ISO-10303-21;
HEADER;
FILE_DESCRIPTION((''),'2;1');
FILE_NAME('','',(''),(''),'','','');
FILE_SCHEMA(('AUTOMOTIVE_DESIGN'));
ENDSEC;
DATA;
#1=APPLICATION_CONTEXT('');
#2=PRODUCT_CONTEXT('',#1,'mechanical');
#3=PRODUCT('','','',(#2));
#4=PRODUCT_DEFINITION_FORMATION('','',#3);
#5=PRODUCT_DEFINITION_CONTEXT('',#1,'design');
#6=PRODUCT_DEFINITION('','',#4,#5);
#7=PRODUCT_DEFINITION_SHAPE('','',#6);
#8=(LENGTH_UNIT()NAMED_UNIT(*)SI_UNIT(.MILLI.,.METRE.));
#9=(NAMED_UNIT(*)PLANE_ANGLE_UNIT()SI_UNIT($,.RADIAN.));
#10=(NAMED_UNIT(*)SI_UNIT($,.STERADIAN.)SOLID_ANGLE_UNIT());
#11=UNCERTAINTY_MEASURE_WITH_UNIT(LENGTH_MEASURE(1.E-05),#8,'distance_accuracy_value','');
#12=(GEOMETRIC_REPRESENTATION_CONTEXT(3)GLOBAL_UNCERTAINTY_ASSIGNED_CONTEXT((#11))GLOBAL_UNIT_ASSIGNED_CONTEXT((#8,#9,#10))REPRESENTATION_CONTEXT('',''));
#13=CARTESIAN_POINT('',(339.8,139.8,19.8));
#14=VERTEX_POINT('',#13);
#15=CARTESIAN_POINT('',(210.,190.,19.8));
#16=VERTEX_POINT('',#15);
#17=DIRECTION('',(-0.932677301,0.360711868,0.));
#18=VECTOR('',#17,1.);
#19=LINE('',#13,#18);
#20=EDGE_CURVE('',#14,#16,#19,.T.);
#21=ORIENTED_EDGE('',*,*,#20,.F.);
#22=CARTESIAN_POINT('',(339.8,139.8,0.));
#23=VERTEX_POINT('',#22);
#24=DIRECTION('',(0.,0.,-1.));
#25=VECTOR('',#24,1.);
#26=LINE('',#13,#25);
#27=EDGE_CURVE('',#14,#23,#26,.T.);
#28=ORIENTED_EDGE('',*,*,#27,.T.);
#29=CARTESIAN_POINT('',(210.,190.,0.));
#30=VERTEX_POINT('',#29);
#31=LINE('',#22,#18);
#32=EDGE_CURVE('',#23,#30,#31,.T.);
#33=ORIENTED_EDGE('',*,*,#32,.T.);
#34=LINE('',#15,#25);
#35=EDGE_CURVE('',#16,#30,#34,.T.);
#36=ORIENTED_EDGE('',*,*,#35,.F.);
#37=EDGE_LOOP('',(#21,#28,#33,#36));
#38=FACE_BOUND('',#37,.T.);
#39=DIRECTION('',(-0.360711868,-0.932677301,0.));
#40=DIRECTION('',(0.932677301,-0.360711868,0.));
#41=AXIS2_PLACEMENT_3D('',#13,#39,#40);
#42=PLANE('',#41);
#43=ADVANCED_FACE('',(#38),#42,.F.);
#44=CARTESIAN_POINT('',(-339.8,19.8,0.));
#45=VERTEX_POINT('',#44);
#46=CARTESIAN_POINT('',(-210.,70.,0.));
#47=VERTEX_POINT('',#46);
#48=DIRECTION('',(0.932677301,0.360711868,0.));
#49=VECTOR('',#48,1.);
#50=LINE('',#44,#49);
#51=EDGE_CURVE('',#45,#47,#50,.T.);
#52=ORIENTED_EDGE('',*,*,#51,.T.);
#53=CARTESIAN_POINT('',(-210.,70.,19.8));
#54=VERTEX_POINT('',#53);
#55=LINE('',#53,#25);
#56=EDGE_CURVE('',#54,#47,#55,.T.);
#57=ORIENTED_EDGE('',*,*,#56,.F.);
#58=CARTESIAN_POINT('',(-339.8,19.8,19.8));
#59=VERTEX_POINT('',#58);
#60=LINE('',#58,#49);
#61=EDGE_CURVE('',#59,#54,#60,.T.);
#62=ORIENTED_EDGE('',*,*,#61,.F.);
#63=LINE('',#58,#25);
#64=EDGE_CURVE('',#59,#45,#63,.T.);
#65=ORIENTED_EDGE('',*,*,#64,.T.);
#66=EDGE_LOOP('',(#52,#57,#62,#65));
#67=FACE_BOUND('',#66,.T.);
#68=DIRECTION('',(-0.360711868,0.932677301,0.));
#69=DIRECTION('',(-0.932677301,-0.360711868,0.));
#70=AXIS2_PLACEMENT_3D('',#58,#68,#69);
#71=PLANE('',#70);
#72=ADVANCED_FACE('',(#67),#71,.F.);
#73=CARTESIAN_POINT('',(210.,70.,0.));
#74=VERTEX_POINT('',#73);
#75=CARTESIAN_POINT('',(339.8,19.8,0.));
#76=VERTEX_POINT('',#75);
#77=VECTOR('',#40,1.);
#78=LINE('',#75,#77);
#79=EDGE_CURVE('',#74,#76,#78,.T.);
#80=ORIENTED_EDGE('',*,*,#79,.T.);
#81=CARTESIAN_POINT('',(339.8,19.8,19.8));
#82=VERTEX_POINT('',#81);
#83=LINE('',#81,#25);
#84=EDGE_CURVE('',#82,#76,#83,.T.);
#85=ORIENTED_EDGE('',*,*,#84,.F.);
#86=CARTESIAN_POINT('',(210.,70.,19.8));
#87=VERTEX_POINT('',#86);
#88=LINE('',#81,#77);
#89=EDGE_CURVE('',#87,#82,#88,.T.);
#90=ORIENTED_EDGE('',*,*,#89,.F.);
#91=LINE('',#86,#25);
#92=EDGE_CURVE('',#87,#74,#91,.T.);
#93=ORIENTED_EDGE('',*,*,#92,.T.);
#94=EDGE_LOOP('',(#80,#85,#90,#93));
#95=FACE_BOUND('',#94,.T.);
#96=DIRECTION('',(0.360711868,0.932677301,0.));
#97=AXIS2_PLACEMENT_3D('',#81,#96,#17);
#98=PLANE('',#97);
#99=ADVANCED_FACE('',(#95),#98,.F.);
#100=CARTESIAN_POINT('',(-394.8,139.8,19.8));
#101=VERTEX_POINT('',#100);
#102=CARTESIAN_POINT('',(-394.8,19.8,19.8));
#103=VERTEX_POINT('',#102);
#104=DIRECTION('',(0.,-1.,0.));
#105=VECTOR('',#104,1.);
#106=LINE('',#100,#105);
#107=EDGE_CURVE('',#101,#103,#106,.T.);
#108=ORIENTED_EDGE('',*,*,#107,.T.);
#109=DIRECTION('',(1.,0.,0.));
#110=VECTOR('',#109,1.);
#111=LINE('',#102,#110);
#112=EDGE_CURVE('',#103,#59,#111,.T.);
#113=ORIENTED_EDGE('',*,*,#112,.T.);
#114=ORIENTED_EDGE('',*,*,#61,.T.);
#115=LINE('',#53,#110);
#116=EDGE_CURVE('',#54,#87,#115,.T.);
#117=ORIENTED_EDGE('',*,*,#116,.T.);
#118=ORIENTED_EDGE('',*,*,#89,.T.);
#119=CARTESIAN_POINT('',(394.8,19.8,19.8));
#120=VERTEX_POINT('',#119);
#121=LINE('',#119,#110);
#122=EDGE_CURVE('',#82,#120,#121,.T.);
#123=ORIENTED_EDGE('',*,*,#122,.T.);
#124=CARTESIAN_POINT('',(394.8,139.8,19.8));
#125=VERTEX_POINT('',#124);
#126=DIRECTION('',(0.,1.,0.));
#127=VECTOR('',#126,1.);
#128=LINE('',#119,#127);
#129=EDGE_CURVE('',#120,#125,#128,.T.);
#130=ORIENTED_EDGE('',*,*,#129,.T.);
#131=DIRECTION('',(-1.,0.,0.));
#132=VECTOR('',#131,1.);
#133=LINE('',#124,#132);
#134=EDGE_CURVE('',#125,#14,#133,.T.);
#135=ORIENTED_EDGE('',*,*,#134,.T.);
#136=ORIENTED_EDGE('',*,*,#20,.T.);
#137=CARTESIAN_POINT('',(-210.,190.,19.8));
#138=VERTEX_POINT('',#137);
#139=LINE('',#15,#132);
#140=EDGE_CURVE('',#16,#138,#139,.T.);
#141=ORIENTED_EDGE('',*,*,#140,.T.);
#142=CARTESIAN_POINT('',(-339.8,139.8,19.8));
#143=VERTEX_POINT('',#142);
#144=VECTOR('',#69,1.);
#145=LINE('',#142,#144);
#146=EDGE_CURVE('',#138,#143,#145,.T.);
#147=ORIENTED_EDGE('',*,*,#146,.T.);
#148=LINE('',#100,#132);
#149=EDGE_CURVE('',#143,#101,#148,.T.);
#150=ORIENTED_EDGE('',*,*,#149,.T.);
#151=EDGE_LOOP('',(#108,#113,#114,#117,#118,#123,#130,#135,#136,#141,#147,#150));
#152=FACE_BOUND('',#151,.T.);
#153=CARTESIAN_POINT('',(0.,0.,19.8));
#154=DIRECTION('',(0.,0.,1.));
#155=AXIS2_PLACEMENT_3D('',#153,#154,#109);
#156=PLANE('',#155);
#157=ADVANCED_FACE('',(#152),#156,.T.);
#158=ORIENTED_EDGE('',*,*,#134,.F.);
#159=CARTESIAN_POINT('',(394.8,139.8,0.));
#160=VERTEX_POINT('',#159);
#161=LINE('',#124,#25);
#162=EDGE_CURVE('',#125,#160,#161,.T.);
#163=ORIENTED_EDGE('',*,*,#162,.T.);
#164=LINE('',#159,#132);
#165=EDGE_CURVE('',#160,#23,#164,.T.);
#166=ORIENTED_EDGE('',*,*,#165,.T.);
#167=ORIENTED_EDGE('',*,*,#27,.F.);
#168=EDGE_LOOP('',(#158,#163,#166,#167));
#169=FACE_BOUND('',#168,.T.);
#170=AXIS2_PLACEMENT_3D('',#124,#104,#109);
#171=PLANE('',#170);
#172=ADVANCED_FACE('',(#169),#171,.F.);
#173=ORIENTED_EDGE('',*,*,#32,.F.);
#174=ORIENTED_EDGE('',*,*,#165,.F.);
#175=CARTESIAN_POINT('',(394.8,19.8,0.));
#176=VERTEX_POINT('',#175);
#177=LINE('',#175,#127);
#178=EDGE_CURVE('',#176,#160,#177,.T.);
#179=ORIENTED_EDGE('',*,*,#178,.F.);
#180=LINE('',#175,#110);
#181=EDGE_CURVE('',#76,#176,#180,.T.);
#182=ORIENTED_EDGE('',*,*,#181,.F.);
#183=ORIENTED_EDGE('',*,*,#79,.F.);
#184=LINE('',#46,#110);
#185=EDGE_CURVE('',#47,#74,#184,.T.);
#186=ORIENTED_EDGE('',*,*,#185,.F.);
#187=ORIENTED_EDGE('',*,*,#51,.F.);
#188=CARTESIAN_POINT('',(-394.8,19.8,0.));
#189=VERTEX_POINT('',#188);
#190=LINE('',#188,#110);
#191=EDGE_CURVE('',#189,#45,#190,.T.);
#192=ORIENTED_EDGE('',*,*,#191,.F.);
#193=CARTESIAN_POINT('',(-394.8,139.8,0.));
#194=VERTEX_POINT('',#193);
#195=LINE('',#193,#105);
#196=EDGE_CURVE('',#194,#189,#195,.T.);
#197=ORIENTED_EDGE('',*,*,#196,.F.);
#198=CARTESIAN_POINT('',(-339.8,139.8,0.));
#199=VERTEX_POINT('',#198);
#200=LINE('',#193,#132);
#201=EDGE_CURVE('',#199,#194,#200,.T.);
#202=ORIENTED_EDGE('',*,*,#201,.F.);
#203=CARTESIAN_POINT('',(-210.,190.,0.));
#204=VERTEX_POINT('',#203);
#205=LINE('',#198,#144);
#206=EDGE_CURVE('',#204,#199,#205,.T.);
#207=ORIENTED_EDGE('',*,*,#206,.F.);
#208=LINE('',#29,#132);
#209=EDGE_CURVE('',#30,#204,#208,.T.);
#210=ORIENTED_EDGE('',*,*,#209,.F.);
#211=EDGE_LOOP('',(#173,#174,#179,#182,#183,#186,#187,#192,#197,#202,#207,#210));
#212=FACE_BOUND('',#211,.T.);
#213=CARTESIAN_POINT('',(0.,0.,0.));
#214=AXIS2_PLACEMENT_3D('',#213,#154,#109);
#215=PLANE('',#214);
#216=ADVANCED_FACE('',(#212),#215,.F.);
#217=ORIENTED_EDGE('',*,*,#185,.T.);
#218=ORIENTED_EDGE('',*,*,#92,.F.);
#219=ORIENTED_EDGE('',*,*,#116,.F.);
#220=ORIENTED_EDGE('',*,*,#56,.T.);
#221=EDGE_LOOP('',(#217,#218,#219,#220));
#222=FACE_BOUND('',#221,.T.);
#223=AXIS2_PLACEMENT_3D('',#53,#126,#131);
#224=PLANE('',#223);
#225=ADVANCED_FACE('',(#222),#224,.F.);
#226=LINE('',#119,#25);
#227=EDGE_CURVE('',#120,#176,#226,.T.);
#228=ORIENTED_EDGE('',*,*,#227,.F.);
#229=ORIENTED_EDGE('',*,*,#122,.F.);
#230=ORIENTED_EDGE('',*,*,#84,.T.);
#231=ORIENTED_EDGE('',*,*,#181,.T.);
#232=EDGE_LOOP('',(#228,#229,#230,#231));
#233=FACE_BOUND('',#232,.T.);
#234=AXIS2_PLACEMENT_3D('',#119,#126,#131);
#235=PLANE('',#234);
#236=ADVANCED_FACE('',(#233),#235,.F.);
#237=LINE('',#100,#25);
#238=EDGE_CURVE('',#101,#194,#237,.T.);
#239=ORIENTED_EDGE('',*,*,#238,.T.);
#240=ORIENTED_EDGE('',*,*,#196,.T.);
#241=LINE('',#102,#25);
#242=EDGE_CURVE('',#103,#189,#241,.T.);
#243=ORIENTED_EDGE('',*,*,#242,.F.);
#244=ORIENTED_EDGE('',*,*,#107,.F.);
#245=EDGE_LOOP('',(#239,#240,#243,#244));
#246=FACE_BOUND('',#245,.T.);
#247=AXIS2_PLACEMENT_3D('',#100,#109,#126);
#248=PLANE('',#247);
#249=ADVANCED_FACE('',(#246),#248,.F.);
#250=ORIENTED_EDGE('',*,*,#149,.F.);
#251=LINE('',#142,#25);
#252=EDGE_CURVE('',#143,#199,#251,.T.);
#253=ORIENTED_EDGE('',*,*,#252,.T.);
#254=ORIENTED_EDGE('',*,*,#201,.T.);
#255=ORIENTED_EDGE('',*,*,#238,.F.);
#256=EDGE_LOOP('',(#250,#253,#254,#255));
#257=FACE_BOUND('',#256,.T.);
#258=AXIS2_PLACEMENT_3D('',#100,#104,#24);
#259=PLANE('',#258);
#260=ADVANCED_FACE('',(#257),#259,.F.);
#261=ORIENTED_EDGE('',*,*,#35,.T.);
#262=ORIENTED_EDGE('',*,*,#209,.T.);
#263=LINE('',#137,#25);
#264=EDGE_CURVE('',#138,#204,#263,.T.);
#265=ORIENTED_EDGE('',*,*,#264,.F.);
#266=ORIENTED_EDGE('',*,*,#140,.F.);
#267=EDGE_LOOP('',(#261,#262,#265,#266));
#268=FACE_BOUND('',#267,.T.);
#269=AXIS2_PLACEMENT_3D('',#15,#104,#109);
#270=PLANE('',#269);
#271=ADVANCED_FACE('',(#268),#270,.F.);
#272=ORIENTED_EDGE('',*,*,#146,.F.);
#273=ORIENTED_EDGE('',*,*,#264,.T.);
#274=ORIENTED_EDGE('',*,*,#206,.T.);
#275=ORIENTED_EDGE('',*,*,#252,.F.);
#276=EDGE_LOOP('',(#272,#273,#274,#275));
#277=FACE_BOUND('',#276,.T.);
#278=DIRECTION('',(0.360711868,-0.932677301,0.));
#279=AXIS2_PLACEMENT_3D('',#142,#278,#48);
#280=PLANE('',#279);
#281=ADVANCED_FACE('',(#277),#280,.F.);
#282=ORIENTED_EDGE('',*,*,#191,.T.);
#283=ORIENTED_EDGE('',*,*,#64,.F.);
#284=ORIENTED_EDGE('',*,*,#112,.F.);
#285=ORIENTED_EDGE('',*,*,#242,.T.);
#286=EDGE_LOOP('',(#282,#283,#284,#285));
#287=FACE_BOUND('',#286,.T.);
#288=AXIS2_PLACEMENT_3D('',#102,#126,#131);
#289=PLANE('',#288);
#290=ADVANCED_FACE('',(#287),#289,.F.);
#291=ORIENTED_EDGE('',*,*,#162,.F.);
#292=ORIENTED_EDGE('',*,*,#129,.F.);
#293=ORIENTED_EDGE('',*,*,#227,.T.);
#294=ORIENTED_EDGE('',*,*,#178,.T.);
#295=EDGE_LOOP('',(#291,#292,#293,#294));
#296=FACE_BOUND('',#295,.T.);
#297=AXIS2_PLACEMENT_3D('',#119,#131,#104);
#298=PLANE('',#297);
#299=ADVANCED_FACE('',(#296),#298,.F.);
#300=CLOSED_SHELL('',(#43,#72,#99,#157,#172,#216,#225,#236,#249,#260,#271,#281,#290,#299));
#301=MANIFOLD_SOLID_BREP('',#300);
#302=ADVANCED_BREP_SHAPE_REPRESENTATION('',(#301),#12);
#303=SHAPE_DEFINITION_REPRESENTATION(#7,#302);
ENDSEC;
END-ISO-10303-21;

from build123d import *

# Parameters (mm, degrees)
RESSALTO_EXTRUS_O1_DEPTH = 19.8


with BuildPart() as part:
    # Esboço1 → Ressalto-extrusão1 (new body)
    with BuildSketch(Plane.XY):
        Polygon((-210, 70), (210, 70), (339.8, 19.8), (394.8, 19.8), (394.8, 139.8), (339.8, 139.8), (210, 190), (-210, 190), (-339.8, 139.8), (-394.8, 139.8), (-394.8, 19.8), (-339.8, 19.8), align=None)
    extrude(amount=RESSALTO_EXTRUS_O1_DEPTH)


solid = part.part
